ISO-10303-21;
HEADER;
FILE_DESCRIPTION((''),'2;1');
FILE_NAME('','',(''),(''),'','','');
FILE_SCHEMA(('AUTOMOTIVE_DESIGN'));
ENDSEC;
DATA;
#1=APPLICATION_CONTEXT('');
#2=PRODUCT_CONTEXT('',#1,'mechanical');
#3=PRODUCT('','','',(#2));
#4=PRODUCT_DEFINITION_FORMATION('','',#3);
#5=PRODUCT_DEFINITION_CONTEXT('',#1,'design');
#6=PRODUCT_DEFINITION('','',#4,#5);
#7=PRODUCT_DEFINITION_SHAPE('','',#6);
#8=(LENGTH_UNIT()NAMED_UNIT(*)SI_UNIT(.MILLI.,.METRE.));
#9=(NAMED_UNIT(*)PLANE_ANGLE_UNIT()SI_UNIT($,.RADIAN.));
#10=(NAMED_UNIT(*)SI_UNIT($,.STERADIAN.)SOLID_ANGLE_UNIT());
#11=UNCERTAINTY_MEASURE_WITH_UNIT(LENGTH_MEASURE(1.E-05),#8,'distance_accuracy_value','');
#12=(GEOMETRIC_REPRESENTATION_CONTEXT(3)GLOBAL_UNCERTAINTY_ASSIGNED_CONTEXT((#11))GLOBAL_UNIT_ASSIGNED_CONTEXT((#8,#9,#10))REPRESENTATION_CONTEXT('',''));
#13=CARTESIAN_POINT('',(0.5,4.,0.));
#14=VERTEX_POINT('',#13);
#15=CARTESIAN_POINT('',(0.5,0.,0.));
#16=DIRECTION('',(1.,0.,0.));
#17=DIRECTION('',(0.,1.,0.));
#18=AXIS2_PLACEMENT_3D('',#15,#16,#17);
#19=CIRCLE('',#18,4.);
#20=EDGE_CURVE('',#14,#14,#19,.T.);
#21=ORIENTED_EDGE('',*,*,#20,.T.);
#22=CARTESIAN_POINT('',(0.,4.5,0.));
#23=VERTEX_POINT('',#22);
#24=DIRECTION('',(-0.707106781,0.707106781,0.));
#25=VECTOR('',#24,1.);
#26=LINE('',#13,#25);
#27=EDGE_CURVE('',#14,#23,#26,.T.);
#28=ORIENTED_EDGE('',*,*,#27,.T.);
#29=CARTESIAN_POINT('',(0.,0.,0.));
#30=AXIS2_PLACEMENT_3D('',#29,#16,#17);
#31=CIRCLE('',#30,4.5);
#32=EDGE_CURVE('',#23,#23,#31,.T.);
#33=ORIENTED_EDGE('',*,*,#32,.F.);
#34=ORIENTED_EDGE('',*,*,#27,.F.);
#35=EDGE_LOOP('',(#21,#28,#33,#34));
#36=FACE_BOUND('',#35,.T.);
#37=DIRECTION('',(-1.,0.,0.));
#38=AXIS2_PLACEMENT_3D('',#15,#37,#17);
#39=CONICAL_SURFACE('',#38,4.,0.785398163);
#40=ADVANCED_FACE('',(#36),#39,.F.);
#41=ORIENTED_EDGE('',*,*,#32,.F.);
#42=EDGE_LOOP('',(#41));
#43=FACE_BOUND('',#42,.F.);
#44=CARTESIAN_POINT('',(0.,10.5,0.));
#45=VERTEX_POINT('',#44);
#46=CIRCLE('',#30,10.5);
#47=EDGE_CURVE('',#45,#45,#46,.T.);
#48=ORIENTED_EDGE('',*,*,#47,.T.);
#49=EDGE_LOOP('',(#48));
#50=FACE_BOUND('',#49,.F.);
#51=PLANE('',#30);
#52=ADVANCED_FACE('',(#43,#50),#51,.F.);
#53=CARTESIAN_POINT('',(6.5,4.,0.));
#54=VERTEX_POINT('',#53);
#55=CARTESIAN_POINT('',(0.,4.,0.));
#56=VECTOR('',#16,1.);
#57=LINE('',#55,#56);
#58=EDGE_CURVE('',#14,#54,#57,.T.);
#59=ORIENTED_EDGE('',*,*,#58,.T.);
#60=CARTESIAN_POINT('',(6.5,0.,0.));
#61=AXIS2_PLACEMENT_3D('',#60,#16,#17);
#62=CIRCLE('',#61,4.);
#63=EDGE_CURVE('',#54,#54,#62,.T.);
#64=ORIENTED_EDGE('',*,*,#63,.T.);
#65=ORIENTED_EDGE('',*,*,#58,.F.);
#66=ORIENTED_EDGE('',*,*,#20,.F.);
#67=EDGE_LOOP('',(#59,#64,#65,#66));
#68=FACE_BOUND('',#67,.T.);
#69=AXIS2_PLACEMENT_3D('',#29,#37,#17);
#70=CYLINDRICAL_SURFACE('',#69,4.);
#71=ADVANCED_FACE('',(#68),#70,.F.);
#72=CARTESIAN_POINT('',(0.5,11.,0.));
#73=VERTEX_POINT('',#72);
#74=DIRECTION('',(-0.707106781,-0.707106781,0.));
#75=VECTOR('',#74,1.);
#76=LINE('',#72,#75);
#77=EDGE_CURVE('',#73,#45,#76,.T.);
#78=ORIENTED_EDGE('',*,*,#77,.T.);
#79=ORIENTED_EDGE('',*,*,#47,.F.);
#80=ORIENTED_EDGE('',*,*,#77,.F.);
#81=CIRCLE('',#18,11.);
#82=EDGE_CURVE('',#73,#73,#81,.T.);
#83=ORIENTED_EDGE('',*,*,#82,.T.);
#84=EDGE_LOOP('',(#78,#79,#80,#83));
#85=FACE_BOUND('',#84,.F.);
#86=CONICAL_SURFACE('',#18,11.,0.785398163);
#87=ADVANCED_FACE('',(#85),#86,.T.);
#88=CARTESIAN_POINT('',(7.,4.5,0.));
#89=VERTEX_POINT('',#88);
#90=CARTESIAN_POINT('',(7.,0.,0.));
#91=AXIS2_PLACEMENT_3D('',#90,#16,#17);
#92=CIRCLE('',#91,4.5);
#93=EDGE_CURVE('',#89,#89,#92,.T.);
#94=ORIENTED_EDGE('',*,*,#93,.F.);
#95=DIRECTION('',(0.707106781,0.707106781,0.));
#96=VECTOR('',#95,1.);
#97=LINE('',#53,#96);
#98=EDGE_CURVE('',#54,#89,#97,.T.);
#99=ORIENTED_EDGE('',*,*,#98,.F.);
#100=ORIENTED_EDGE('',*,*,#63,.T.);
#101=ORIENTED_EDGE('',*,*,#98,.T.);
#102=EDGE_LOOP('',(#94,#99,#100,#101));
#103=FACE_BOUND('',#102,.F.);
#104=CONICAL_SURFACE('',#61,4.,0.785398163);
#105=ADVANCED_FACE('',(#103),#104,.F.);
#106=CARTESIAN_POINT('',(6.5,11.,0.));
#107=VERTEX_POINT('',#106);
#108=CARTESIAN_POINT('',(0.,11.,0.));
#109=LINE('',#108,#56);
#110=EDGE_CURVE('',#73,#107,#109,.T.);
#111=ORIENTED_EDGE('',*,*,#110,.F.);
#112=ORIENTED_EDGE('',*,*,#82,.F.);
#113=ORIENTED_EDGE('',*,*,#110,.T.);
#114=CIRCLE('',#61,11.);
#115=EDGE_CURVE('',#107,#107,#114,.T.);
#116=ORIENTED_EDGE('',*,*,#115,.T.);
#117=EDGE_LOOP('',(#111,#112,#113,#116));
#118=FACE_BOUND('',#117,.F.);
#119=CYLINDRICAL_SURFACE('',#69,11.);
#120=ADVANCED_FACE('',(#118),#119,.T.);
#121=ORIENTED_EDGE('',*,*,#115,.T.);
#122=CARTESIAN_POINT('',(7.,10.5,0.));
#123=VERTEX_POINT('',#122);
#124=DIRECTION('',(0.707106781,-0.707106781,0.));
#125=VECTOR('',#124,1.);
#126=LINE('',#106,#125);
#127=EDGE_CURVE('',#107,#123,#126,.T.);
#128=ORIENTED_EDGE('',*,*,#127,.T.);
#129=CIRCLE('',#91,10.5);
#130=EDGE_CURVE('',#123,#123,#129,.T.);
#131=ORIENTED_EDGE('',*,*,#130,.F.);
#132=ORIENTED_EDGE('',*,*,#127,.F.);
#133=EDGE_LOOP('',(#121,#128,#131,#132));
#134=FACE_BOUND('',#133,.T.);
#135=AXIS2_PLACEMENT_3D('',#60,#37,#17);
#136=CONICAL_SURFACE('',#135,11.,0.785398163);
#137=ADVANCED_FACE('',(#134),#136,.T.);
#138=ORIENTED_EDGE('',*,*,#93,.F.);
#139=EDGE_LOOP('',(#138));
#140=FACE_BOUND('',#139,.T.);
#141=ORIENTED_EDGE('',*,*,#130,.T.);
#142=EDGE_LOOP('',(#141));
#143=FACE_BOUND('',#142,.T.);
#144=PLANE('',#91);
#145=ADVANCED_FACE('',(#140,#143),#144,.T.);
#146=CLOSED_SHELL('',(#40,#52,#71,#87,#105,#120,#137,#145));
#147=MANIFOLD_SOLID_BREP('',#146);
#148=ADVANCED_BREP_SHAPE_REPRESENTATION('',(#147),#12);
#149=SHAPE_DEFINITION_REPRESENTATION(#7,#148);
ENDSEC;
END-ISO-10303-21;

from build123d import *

# Parameters (mm, degrees)
F0_R     = 11
F0_R_2   = 4
F1_DEPTH = 7
F2_SIZE  = 0.5


with BuildPart() as f1:
    # F0 (on Right) → F1 (new body)
    with BuildSketch(Plane.YZ):
        Circle(F0_R)
        Circle(F0_R_2, mode=Mode.SUBTRACT)
    extrude(amount=F1_DEPTH)

    # F2
    f2_edges = [f1.edges().sort_by_distance(p)[0] for p in [
        (7, -11, 0),
        (7, -4, 0),
        (0, -11, 0),
        (0, -4, 0),
    ]]
    chamfer(f2_edges, length=F2_SIZE)


solid = f1.part
